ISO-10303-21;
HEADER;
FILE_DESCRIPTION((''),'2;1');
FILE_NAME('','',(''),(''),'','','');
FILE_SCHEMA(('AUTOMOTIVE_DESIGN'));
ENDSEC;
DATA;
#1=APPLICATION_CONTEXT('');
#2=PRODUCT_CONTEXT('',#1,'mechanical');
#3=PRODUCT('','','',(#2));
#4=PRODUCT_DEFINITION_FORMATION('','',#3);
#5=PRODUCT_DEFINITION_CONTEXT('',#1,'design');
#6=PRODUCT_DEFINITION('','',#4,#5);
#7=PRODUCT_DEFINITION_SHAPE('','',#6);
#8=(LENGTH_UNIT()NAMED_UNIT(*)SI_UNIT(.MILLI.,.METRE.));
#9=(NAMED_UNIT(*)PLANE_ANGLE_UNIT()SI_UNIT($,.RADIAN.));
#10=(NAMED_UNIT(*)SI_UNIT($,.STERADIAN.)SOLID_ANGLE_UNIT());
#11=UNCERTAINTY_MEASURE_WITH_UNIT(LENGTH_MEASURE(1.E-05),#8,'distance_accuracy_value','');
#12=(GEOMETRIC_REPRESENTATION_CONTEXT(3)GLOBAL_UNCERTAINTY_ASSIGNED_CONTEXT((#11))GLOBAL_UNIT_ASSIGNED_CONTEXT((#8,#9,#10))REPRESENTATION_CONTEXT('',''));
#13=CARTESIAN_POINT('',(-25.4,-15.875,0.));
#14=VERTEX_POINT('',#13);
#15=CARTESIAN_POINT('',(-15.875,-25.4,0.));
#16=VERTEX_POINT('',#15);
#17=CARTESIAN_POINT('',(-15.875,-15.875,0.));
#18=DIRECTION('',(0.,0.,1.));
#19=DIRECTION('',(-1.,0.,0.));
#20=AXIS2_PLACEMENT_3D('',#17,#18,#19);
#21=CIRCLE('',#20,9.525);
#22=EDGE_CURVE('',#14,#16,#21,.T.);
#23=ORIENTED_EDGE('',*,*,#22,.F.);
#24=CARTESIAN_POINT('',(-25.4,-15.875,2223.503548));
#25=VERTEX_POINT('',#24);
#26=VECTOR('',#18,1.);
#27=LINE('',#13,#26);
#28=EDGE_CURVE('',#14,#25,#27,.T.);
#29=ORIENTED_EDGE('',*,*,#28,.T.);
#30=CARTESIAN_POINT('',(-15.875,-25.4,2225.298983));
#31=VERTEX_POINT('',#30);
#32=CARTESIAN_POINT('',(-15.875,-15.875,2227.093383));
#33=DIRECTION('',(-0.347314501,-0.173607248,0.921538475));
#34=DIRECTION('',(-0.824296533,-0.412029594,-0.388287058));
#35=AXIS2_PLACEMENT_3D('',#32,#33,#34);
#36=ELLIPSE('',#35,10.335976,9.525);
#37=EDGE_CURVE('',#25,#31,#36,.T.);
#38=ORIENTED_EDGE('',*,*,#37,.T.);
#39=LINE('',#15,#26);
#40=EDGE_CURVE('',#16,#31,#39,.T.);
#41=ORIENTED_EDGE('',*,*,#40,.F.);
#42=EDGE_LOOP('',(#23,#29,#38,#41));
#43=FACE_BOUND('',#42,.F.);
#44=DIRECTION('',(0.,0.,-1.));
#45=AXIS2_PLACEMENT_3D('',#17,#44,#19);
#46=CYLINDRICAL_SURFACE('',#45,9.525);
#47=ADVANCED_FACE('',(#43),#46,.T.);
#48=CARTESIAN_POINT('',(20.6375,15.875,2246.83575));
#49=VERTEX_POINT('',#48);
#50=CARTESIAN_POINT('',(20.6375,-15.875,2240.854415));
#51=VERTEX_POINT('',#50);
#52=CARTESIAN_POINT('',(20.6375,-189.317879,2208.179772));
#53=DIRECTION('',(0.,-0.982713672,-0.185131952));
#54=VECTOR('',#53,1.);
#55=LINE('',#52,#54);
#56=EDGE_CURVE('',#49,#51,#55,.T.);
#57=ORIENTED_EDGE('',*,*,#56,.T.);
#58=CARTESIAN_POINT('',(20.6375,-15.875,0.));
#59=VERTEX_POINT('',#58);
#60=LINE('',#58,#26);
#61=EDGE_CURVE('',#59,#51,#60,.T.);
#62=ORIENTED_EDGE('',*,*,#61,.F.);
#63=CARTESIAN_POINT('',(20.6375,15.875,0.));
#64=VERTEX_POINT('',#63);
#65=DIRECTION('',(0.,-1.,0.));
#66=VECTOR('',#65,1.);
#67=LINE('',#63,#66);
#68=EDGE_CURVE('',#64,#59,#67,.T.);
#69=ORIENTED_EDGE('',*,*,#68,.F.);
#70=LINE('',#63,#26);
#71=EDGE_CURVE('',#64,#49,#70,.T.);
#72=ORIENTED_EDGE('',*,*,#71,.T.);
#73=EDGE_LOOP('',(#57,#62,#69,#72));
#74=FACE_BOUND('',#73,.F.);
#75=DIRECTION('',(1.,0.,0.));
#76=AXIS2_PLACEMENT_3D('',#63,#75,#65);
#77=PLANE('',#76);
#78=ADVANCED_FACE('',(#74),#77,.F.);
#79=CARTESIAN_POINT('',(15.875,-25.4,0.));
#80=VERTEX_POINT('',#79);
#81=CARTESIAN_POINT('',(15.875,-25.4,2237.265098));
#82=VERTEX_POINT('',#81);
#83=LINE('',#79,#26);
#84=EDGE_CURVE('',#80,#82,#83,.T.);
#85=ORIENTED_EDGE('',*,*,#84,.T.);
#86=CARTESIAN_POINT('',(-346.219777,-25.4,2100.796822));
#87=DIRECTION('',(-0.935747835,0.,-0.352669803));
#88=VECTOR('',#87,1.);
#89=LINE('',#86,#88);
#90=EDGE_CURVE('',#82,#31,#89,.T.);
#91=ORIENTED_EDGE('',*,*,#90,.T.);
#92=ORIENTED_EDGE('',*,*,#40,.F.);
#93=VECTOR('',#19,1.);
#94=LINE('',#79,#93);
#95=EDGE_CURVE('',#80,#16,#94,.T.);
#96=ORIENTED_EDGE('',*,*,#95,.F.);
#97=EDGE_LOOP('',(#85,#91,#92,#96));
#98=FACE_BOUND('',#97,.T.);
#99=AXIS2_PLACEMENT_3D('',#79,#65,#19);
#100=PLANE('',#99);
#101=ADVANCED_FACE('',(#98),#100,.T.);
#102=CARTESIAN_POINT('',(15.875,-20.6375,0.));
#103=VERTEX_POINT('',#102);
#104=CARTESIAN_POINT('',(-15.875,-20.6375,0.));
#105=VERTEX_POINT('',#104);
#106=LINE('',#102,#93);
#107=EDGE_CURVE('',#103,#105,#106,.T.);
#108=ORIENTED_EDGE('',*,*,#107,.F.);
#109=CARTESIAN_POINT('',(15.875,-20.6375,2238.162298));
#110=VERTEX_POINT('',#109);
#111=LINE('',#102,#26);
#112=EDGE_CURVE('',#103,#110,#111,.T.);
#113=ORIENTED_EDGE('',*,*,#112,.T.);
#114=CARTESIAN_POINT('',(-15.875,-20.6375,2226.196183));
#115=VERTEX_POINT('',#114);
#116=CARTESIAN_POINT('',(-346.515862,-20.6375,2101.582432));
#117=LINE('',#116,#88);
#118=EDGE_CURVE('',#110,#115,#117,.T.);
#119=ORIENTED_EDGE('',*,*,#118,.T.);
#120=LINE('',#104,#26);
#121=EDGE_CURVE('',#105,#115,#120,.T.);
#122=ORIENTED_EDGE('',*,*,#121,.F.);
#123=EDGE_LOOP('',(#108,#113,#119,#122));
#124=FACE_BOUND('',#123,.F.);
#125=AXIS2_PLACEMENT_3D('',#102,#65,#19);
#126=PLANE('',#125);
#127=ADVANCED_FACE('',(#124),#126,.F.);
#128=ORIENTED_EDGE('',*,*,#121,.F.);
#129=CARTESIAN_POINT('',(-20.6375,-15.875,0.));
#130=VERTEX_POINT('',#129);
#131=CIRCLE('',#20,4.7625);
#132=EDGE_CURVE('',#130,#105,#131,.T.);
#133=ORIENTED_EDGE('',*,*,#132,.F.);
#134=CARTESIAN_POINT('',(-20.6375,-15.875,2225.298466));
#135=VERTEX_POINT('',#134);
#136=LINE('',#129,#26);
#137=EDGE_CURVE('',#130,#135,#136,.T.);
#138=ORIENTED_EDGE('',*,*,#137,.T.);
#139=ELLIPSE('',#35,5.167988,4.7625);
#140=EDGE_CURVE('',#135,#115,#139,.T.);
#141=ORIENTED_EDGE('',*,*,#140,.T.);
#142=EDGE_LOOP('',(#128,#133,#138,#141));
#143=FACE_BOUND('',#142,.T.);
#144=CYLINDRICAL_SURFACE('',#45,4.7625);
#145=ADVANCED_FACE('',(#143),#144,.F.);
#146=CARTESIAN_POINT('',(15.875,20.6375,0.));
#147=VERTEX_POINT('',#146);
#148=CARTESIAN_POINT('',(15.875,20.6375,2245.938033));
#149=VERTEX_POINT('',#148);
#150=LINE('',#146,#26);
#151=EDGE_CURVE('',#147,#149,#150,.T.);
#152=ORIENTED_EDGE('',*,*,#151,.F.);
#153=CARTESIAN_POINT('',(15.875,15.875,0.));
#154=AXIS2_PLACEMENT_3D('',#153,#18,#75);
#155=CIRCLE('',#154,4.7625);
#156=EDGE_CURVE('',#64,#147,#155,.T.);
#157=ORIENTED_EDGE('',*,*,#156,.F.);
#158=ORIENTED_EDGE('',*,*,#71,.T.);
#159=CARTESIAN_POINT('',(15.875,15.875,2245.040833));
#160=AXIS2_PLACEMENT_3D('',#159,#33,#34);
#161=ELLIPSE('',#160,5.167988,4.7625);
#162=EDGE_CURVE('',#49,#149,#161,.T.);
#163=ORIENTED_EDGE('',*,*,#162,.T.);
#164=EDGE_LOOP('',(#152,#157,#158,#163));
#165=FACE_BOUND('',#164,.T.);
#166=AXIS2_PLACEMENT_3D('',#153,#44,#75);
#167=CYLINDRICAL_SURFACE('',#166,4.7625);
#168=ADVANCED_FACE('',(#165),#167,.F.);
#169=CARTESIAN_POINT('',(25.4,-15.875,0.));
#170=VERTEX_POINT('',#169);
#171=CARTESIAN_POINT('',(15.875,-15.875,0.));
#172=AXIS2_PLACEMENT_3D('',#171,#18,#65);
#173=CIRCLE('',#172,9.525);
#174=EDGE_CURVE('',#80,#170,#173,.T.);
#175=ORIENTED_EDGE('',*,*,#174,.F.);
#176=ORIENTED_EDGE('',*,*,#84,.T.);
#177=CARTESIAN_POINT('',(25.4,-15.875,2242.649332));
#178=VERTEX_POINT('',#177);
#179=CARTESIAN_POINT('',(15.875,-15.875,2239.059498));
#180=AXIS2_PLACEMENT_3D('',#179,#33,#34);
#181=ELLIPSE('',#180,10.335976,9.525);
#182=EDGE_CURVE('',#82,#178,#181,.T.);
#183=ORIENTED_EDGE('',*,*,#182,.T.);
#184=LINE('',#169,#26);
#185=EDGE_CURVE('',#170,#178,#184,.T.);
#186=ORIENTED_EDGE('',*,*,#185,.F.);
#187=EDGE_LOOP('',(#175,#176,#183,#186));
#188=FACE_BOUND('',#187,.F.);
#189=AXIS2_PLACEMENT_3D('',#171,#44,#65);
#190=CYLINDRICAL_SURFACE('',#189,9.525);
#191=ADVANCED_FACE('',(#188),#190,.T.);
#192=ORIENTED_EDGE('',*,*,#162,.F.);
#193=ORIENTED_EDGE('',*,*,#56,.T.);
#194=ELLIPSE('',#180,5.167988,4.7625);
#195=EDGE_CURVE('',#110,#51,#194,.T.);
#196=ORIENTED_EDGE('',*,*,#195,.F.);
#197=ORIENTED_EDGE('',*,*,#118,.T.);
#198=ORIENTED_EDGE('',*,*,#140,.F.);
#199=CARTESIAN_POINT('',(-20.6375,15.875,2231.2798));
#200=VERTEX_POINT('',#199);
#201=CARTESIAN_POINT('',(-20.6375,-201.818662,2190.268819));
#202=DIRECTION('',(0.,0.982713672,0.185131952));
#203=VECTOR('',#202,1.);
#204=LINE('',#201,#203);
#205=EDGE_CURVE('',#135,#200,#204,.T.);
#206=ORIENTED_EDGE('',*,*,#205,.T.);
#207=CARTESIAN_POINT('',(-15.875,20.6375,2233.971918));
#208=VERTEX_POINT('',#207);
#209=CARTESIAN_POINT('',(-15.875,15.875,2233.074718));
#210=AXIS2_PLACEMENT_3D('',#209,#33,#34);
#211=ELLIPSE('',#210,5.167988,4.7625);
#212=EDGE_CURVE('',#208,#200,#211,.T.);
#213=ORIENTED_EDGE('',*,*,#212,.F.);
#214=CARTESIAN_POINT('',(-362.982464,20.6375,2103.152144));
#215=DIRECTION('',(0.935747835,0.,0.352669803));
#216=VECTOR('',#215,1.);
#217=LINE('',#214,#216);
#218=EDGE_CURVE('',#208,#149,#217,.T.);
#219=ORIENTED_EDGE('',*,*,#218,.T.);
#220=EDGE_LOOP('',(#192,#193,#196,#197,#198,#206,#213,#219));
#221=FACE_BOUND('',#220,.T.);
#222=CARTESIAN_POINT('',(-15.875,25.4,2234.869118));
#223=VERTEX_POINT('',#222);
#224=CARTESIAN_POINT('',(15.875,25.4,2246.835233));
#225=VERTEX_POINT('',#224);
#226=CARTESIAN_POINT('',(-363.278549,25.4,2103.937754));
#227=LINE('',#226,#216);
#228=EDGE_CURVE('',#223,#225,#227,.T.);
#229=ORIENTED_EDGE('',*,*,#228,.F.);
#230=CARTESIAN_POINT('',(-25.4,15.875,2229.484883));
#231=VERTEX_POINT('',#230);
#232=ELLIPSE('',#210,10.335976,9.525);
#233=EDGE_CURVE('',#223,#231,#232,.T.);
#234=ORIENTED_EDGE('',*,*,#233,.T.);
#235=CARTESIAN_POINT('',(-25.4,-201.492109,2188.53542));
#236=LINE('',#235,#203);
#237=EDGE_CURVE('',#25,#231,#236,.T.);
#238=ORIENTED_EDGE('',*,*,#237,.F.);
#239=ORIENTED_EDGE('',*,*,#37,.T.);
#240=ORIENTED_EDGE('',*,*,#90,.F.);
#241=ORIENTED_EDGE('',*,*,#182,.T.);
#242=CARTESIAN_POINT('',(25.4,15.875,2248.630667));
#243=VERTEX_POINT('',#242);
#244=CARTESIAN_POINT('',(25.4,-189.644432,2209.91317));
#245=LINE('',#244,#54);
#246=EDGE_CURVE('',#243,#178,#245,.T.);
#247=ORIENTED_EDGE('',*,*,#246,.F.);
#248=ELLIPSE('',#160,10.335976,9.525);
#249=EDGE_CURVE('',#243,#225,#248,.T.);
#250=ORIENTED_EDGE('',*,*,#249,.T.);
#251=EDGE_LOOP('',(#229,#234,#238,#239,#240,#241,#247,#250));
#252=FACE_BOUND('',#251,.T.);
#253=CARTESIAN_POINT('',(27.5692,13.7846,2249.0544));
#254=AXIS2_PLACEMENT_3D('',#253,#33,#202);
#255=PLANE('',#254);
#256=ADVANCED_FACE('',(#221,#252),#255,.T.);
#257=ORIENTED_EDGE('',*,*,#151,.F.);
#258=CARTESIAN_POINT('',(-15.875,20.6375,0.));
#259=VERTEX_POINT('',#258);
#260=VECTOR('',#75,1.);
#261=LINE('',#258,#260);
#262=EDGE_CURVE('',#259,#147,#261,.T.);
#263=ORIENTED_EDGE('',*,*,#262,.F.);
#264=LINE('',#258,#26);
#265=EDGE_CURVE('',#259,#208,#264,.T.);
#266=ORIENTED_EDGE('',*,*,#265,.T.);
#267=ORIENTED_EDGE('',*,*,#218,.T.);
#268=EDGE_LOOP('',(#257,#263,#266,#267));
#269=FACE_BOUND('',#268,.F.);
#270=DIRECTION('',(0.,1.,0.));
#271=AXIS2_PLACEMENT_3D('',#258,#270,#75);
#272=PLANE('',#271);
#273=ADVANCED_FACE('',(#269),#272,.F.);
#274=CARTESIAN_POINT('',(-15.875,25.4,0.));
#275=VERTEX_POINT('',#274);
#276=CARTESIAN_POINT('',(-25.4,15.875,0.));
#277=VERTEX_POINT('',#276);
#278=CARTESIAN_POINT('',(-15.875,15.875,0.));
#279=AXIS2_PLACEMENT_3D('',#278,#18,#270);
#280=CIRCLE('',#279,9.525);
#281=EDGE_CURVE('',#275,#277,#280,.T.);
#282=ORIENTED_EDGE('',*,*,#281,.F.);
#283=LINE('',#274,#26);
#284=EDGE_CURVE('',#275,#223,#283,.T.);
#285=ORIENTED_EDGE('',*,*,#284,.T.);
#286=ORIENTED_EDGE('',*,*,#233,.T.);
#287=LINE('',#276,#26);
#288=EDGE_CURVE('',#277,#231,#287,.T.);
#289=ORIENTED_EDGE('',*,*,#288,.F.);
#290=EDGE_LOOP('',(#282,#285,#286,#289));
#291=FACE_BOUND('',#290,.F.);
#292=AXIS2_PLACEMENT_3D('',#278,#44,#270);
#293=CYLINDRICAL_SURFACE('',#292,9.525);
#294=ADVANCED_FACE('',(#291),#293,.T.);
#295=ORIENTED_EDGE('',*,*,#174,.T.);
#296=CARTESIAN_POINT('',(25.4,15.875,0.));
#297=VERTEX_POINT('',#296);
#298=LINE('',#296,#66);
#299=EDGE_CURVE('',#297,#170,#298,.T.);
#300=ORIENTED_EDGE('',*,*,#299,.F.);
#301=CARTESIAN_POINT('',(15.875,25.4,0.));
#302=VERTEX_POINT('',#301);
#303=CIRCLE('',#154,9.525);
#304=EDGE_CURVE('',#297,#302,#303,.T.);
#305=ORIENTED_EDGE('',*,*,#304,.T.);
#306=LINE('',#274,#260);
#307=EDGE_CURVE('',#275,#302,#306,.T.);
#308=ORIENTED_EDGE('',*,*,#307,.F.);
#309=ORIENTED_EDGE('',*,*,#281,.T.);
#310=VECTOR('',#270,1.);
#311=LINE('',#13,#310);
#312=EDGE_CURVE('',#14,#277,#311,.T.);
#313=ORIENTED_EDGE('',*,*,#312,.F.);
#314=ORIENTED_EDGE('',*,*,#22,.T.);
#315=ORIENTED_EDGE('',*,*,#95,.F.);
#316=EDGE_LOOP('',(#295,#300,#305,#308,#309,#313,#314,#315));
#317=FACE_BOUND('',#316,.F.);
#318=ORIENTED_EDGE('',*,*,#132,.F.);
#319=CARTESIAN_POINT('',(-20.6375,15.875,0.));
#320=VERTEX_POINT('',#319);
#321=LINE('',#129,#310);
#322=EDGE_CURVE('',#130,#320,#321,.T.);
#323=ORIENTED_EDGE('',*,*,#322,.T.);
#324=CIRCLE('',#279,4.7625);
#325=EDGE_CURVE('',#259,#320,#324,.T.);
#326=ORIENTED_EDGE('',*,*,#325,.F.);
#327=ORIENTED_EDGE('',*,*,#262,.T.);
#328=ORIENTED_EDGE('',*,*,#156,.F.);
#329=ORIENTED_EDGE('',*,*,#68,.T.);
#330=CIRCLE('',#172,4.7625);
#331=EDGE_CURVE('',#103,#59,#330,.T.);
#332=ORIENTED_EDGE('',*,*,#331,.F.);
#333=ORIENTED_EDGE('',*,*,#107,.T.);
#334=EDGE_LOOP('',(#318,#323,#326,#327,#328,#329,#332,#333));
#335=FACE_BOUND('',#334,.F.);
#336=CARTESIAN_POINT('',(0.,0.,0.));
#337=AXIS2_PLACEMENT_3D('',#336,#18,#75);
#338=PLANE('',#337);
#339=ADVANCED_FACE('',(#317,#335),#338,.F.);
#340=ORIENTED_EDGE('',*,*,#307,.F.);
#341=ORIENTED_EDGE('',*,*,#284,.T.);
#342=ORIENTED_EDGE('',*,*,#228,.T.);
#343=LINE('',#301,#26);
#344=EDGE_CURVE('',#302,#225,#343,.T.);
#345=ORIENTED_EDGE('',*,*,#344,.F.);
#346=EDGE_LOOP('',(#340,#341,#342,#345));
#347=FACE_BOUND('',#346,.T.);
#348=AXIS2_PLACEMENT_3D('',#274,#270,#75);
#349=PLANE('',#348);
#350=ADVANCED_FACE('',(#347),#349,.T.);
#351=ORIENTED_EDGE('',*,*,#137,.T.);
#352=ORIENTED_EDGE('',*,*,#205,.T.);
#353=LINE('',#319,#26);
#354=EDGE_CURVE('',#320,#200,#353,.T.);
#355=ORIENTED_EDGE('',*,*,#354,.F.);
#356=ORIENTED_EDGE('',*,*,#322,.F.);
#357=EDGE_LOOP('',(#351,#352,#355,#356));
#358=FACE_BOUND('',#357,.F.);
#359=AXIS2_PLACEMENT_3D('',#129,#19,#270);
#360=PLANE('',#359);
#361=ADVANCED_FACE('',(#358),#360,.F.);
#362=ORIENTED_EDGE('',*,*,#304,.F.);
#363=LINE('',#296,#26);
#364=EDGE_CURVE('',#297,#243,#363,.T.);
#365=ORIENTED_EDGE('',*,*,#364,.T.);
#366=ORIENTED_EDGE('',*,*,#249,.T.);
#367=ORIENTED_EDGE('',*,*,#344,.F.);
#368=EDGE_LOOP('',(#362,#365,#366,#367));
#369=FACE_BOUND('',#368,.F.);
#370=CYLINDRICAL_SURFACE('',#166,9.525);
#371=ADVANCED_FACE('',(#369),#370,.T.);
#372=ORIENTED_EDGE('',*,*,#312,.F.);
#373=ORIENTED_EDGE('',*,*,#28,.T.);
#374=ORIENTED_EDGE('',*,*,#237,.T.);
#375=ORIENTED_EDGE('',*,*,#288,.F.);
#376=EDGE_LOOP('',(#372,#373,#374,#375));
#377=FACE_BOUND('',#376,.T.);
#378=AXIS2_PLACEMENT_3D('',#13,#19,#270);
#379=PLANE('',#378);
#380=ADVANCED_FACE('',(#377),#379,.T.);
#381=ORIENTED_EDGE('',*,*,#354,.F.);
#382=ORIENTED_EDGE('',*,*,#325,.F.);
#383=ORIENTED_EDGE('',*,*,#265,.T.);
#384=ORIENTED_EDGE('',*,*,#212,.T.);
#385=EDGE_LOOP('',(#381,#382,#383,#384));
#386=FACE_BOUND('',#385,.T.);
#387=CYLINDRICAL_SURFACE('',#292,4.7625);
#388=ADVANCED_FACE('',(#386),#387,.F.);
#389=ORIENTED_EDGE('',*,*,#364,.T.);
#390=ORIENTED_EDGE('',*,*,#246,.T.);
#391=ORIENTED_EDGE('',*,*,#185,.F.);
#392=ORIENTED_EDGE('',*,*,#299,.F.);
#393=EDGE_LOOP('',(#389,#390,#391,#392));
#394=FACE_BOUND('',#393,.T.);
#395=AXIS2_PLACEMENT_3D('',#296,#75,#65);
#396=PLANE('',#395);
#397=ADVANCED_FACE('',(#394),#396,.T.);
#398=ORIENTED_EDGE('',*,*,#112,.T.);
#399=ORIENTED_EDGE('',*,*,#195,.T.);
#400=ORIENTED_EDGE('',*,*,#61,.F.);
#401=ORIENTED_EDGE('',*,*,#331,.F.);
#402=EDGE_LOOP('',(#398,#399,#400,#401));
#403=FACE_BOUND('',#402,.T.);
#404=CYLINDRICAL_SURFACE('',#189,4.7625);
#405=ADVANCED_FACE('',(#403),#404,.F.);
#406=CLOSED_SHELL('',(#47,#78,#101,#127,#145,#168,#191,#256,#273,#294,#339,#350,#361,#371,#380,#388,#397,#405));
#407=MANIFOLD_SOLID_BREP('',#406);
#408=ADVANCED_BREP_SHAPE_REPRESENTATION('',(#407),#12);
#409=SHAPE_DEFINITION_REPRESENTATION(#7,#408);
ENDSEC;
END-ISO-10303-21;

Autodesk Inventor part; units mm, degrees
ref_plane "Plano inicial" through (0, 0, 0) normal (0, 0, 1) x (1, 0, 0)
ref_plane "Plano final" through (0, 0, 2250.4255) normal (0, 0, 1) x (1, 0, 0)
sketch "Esboço" plane through (0, 0, 0) normal (0, 0, 1) x (1, 0, 0)
  line L0 (-25.4, -15.875) -> (-25.4, 15.875)
  line L1 (-15.875, 25.4) -> (15.875, 25.4)
  line L2 (25.4, 15.875) -> (25.4, -15.875)
  line L3 (15.875, -25.4) -> (-15.875, -25.4)
  arc A0 (-25.4, -15.875) -> (-15.875, -25.4) centre (-15.875, -15.875) ccw
  arc A1 (-15.875, 25.4) -> (-25.4, 15.875) centre (-15.875, 15.875) ccw
  arc A2 (25.4, 15.875) -> (15.875, 25.4) centre (15.875, 15.875) ccw
  arc A3 (15.875, -25.4) -> (25.4, -15.875) centre (15.875, -15.875) ccw
  arc A4 (-15.875, 20.6375) -> (-20.6375, 15.875) centre (-15.875, 15.875) ccw
  line L4 (-15.875, 20.6375) -> (15.875, 20.6375)
  arc A5 (20.6375, 15.875) -> (15.875, 20.6375) centre (15.875, 15.875) ccw
  line L5 (20.6375, 15.875) -> (20.6375, -15.875)
  arc A6 (15.875, -20.6375) -> (20.6375, -15.875) centre (15.875, -15.875) ccw
  line L6 (15.875, -20.6375) -> (-15.875, -20.6375)
  arc A7 (-20.6375, -15.875) -> (-15.875, -20.6375) centre (-15.875, -15.875) ccw
  line L7 (-20.6375, -15.875) -> (-20.6375, 15.875)
  line L8 (0, 38.3218) -> (0, -38.3218) construction
  line L9 (-38.3218, 0) -> (38.3218, 0) construction
  dimension "d10" = 50.8
  dimension "d11" = 50.8
  dimension "d12" = 4.7625
  dimension "d15" = 25.4
  dimension "d16" = 25.4
  dimension "d17" = 9.525
extrude "Corpo" add sketch "Esboço" along normal up to surface (2250.4255 mm away) from surface at 0
sketch "Sketch3" plane through (0, 0, 0) normal (0, 0, 1) x (1, 0, 0)
  line L0 (0, 0) -> (10, 0)
ref_plane "Work Plane3" through (0, 0, 0) normal (0, -1, 0) x (1, 0, 0)
sketch "Sketch4" plane through (0, 0, 0) normal (0, -1, 0) x (1, 0, 0)
  line L0 (-2, 0) -> (12, 0)
  line L1 (-2, 2250.4255) -> (12, 2250.4255)
  dimension "d19" = 2250.4255
ref_plane "Plano de trabalho4" through (27.5692, 13.7846, 2249.0544) normal (-0.3473, -0.1736, 0.9215) x (0.9372, -0.0314, 0.3473)
split "Dividir1" plane through (27.5692, 13.7846, 2249.0544) removes the side toward (-0.3473, -0.1736, 0.9215)
equation "\"d10\" = G_H"
equation "\"d11\" = G_W"
equation "\"d12\" = G_T"
equation "\"d15\" = 0.5 * d10"
equation "\"d16\" = 0.5 * d11"
equation "\"d17\" = G_IR"
equation "\"d3\" = G_L"
equation "\"G_W\" = 50.8"
equation "\"G_H\" = 50.8"
equation "\"G_T\" = 4.7625"
equation "\"G_IR\" = 9.525"
equation "\"G_L\" = 2249.04731"
equation "\"G_OFFSET_START\" = 0"
equation "\"G_OFFSET_END\" = 14.35757"
equation "\"d14\" = G_OFFSET_END + B_L"
equation "\"B_L\" = 2236.06798"
properties part number "AISC - 2 x 2 x 3/16 - 88,545" material "Aço, suave"
